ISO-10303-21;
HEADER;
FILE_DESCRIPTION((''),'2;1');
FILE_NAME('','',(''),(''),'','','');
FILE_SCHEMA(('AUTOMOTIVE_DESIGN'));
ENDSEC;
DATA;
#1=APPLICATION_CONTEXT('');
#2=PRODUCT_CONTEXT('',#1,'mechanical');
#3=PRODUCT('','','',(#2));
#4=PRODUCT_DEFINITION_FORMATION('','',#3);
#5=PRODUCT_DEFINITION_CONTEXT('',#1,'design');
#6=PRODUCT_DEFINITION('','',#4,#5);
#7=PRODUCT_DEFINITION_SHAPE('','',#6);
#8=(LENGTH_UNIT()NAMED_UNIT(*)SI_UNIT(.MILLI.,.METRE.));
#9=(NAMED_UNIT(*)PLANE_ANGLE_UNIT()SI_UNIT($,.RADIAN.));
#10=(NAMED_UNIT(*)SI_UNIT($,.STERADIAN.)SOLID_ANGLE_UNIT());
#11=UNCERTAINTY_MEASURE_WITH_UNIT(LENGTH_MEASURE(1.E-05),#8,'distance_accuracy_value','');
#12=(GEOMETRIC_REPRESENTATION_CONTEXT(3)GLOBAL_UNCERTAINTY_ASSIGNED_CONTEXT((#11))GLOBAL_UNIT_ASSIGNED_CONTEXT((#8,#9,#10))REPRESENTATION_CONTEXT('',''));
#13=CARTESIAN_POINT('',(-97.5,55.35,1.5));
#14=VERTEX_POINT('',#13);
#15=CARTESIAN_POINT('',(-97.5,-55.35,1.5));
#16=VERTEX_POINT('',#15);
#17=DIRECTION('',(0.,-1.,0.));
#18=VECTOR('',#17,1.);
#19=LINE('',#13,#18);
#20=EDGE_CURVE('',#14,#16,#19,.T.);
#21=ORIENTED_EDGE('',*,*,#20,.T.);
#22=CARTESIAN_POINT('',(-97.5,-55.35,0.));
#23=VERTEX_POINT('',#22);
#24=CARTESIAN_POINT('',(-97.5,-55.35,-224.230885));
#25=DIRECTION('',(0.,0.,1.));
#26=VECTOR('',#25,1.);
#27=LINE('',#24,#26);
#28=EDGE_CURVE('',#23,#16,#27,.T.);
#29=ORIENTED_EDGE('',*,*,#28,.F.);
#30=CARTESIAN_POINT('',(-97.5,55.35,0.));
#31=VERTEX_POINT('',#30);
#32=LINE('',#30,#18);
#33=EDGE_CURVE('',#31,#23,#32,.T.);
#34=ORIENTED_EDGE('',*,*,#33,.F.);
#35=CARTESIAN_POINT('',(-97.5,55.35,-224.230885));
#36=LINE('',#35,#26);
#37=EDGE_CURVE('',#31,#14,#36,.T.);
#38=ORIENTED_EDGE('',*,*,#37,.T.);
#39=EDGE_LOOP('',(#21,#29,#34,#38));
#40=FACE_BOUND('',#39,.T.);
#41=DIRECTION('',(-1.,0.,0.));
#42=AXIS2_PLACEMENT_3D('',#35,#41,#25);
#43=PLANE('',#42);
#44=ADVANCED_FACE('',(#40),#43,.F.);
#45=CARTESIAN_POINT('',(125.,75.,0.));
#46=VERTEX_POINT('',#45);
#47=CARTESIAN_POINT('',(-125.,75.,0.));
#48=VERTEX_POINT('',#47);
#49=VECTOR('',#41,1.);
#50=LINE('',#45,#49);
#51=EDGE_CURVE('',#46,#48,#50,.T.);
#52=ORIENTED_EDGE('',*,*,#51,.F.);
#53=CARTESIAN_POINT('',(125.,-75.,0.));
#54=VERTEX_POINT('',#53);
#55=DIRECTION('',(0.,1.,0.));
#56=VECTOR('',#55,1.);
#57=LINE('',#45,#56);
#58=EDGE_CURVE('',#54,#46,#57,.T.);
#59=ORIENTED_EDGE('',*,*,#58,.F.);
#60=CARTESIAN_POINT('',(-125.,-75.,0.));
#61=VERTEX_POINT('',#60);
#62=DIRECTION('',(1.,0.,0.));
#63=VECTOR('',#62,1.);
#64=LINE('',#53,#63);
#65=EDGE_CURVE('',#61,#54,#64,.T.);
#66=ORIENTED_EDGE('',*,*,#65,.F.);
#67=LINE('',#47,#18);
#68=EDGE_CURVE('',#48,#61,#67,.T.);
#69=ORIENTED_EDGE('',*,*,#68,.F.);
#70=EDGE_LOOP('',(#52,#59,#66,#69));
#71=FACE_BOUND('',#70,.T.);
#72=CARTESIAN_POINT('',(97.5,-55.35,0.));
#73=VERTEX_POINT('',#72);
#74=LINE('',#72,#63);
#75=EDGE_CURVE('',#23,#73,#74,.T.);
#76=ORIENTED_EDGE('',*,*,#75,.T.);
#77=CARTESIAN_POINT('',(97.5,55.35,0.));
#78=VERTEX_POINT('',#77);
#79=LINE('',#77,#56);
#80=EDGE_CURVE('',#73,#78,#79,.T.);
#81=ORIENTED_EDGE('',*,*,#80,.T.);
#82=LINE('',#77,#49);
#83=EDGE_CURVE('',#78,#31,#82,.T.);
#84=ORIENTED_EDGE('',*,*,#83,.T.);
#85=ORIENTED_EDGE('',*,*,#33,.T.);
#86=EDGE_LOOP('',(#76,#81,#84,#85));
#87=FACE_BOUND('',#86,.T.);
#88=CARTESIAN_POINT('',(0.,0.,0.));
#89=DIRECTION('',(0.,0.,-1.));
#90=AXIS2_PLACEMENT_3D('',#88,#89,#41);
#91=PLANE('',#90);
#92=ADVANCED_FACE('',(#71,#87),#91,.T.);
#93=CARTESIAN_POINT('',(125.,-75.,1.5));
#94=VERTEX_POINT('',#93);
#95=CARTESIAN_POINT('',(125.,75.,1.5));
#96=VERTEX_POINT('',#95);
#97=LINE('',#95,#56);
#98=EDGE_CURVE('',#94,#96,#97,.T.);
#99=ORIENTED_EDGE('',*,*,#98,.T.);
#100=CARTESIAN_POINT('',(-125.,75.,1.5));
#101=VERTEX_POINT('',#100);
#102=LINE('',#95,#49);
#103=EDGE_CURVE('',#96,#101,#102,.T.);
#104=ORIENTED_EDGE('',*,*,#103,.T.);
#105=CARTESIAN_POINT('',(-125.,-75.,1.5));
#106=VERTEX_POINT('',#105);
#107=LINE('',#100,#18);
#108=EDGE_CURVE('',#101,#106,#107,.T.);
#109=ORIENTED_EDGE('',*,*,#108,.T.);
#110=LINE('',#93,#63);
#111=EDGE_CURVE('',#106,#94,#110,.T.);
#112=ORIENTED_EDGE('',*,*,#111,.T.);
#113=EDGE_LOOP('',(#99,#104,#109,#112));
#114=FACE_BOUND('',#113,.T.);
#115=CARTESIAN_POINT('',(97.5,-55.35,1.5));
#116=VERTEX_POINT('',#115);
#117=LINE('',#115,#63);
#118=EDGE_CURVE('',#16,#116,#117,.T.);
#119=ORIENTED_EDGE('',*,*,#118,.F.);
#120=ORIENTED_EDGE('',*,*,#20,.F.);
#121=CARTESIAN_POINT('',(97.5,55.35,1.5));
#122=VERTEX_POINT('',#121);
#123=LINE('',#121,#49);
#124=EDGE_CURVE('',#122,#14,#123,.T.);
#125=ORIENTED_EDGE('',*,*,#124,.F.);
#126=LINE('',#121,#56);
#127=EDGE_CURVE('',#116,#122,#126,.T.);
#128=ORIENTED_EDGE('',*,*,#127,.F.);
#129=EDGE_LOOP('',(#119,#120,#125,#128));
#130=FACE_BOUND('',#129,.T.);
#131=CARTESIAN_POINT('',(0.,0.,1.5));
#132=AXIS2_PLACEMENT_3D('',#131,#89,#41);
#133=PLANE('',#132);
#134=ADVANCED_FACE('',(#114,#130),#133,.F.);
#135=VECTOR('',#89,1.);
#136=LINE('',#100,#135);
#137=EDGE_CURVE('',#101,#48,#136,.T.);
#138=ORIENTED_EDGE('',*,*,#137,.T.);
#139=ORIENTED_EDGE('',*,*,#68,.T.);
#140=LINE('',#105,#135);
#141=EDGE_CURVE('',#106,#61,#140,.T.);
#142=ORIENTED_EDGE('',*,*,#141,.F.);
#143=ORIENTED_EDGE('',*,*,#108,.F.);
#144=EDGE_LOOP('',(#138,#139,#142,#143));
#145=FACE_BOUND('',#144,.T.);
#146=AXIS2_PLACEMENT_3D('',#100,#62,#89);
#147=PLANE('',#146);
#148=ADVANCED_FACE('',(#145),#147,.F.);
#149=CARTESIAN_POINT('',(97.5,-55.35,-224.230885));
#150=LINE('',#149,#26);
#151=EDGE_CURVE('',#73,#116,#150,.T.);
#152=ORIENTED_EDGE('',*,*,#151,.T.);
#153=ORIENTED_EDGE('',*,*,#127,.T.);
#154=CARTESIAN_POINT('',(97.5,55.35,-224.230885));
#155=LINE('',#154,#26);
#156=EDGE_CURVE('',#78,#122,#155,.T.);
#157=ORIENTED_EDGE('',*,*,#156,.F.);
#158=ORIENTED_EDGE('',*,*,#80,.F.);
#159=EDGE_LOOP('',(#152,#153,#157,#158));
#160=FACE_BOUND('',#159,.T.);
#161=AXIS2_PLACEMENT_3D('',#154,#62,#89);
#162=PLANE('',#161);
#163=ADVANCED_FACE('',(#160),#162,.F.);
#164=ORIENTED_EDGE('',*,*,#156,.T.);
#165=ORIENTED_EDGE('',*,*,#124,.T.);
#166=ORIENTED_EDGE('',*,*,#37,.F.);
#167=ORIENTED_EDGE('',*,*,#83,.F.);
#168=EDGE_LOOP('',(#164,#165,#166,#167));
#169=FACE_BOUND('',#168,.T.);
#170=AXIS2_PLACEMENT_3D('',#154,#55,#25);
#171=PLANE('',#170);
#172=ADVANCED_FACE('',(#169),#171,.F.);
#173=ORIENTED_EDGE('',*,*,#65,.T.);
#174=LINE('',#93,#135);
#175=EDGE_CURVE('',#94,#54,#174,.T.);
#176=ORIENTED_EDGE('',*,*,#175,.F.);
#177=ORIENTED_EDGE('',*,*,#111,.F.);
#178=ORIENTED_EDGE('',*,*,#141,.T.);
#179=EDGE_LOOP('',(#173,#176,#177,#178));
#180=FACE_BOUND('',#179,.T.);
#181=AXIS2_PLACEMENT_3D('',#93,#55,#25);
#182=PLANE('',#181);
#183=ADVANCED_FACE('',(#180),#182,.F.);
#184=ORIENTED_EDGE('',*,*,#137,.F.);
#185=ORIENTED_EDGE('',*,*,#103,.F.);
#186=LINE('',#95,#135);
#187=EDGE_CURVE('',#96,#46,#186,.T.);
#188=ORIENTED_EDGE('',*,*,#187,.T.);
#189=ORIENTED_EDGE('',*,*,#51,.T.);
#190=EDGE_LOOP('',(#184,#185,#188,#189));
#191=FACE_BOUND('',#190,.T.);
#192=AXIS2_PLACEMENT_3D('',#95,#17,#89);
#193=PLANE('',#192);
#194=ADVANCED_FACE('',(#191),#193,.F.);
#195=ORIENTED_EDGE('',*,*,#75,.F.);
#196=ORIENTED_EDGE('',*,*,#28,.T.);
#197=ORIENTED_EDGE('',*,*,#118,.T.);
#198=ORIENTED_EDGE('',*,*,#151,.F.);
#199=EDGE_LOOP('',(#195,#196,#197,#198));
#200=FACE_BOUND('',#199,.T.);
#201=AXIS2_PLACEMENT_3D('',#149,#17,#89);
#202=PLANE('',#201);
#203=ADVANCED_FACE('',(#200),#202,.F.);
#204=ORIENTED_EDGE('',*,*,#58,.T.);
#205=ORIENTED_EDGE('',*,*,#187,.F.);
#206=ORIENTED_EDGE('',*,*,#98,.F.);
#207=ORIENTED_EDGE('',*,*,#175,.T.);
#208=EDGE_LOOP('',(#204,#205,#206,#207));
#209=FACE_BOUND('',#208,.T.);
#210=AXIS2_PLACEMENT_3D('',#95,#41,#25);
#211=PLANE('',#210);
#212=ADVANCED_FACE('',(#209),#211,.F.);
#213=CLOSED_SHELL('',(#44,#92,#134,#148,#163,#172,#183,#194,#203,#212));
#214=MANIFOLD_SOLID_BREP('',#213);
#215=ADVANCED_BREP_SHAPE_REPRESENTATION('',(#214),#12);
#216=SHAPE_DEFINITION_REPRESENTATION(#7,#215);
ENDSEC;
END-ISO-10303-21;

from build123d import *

# Parameters (mm, degrees)
SKETCH1_W      = 250
SKETCH1_H      = 150
EXTRUDE1_DEPTH = 1.5
SKETCH2_W      = 195
SKETCH2_H      = 110.7
EXTRUDE2_DEPTH = 1.5


with BuildPart() as part:
    # Sketch1 → Extrude1 (new body)
    with BuildSketch(Plane.XY):
        Rectangle(SKETCH1_W, SKETCH1_H)
    extrude(amount=EXTRUDE1_DEPTH)

    # Sketch2 → Extrude2 (cut)
    with BuildSketch(Plane.XY.offset(1.5)):
        Rectangle(SKETCH2_W, SKETCH2_H)
    extrude(amount=-EXTRUDE2_DEPTH, mode=Mode.SUBTRACT)


solid = part.part
